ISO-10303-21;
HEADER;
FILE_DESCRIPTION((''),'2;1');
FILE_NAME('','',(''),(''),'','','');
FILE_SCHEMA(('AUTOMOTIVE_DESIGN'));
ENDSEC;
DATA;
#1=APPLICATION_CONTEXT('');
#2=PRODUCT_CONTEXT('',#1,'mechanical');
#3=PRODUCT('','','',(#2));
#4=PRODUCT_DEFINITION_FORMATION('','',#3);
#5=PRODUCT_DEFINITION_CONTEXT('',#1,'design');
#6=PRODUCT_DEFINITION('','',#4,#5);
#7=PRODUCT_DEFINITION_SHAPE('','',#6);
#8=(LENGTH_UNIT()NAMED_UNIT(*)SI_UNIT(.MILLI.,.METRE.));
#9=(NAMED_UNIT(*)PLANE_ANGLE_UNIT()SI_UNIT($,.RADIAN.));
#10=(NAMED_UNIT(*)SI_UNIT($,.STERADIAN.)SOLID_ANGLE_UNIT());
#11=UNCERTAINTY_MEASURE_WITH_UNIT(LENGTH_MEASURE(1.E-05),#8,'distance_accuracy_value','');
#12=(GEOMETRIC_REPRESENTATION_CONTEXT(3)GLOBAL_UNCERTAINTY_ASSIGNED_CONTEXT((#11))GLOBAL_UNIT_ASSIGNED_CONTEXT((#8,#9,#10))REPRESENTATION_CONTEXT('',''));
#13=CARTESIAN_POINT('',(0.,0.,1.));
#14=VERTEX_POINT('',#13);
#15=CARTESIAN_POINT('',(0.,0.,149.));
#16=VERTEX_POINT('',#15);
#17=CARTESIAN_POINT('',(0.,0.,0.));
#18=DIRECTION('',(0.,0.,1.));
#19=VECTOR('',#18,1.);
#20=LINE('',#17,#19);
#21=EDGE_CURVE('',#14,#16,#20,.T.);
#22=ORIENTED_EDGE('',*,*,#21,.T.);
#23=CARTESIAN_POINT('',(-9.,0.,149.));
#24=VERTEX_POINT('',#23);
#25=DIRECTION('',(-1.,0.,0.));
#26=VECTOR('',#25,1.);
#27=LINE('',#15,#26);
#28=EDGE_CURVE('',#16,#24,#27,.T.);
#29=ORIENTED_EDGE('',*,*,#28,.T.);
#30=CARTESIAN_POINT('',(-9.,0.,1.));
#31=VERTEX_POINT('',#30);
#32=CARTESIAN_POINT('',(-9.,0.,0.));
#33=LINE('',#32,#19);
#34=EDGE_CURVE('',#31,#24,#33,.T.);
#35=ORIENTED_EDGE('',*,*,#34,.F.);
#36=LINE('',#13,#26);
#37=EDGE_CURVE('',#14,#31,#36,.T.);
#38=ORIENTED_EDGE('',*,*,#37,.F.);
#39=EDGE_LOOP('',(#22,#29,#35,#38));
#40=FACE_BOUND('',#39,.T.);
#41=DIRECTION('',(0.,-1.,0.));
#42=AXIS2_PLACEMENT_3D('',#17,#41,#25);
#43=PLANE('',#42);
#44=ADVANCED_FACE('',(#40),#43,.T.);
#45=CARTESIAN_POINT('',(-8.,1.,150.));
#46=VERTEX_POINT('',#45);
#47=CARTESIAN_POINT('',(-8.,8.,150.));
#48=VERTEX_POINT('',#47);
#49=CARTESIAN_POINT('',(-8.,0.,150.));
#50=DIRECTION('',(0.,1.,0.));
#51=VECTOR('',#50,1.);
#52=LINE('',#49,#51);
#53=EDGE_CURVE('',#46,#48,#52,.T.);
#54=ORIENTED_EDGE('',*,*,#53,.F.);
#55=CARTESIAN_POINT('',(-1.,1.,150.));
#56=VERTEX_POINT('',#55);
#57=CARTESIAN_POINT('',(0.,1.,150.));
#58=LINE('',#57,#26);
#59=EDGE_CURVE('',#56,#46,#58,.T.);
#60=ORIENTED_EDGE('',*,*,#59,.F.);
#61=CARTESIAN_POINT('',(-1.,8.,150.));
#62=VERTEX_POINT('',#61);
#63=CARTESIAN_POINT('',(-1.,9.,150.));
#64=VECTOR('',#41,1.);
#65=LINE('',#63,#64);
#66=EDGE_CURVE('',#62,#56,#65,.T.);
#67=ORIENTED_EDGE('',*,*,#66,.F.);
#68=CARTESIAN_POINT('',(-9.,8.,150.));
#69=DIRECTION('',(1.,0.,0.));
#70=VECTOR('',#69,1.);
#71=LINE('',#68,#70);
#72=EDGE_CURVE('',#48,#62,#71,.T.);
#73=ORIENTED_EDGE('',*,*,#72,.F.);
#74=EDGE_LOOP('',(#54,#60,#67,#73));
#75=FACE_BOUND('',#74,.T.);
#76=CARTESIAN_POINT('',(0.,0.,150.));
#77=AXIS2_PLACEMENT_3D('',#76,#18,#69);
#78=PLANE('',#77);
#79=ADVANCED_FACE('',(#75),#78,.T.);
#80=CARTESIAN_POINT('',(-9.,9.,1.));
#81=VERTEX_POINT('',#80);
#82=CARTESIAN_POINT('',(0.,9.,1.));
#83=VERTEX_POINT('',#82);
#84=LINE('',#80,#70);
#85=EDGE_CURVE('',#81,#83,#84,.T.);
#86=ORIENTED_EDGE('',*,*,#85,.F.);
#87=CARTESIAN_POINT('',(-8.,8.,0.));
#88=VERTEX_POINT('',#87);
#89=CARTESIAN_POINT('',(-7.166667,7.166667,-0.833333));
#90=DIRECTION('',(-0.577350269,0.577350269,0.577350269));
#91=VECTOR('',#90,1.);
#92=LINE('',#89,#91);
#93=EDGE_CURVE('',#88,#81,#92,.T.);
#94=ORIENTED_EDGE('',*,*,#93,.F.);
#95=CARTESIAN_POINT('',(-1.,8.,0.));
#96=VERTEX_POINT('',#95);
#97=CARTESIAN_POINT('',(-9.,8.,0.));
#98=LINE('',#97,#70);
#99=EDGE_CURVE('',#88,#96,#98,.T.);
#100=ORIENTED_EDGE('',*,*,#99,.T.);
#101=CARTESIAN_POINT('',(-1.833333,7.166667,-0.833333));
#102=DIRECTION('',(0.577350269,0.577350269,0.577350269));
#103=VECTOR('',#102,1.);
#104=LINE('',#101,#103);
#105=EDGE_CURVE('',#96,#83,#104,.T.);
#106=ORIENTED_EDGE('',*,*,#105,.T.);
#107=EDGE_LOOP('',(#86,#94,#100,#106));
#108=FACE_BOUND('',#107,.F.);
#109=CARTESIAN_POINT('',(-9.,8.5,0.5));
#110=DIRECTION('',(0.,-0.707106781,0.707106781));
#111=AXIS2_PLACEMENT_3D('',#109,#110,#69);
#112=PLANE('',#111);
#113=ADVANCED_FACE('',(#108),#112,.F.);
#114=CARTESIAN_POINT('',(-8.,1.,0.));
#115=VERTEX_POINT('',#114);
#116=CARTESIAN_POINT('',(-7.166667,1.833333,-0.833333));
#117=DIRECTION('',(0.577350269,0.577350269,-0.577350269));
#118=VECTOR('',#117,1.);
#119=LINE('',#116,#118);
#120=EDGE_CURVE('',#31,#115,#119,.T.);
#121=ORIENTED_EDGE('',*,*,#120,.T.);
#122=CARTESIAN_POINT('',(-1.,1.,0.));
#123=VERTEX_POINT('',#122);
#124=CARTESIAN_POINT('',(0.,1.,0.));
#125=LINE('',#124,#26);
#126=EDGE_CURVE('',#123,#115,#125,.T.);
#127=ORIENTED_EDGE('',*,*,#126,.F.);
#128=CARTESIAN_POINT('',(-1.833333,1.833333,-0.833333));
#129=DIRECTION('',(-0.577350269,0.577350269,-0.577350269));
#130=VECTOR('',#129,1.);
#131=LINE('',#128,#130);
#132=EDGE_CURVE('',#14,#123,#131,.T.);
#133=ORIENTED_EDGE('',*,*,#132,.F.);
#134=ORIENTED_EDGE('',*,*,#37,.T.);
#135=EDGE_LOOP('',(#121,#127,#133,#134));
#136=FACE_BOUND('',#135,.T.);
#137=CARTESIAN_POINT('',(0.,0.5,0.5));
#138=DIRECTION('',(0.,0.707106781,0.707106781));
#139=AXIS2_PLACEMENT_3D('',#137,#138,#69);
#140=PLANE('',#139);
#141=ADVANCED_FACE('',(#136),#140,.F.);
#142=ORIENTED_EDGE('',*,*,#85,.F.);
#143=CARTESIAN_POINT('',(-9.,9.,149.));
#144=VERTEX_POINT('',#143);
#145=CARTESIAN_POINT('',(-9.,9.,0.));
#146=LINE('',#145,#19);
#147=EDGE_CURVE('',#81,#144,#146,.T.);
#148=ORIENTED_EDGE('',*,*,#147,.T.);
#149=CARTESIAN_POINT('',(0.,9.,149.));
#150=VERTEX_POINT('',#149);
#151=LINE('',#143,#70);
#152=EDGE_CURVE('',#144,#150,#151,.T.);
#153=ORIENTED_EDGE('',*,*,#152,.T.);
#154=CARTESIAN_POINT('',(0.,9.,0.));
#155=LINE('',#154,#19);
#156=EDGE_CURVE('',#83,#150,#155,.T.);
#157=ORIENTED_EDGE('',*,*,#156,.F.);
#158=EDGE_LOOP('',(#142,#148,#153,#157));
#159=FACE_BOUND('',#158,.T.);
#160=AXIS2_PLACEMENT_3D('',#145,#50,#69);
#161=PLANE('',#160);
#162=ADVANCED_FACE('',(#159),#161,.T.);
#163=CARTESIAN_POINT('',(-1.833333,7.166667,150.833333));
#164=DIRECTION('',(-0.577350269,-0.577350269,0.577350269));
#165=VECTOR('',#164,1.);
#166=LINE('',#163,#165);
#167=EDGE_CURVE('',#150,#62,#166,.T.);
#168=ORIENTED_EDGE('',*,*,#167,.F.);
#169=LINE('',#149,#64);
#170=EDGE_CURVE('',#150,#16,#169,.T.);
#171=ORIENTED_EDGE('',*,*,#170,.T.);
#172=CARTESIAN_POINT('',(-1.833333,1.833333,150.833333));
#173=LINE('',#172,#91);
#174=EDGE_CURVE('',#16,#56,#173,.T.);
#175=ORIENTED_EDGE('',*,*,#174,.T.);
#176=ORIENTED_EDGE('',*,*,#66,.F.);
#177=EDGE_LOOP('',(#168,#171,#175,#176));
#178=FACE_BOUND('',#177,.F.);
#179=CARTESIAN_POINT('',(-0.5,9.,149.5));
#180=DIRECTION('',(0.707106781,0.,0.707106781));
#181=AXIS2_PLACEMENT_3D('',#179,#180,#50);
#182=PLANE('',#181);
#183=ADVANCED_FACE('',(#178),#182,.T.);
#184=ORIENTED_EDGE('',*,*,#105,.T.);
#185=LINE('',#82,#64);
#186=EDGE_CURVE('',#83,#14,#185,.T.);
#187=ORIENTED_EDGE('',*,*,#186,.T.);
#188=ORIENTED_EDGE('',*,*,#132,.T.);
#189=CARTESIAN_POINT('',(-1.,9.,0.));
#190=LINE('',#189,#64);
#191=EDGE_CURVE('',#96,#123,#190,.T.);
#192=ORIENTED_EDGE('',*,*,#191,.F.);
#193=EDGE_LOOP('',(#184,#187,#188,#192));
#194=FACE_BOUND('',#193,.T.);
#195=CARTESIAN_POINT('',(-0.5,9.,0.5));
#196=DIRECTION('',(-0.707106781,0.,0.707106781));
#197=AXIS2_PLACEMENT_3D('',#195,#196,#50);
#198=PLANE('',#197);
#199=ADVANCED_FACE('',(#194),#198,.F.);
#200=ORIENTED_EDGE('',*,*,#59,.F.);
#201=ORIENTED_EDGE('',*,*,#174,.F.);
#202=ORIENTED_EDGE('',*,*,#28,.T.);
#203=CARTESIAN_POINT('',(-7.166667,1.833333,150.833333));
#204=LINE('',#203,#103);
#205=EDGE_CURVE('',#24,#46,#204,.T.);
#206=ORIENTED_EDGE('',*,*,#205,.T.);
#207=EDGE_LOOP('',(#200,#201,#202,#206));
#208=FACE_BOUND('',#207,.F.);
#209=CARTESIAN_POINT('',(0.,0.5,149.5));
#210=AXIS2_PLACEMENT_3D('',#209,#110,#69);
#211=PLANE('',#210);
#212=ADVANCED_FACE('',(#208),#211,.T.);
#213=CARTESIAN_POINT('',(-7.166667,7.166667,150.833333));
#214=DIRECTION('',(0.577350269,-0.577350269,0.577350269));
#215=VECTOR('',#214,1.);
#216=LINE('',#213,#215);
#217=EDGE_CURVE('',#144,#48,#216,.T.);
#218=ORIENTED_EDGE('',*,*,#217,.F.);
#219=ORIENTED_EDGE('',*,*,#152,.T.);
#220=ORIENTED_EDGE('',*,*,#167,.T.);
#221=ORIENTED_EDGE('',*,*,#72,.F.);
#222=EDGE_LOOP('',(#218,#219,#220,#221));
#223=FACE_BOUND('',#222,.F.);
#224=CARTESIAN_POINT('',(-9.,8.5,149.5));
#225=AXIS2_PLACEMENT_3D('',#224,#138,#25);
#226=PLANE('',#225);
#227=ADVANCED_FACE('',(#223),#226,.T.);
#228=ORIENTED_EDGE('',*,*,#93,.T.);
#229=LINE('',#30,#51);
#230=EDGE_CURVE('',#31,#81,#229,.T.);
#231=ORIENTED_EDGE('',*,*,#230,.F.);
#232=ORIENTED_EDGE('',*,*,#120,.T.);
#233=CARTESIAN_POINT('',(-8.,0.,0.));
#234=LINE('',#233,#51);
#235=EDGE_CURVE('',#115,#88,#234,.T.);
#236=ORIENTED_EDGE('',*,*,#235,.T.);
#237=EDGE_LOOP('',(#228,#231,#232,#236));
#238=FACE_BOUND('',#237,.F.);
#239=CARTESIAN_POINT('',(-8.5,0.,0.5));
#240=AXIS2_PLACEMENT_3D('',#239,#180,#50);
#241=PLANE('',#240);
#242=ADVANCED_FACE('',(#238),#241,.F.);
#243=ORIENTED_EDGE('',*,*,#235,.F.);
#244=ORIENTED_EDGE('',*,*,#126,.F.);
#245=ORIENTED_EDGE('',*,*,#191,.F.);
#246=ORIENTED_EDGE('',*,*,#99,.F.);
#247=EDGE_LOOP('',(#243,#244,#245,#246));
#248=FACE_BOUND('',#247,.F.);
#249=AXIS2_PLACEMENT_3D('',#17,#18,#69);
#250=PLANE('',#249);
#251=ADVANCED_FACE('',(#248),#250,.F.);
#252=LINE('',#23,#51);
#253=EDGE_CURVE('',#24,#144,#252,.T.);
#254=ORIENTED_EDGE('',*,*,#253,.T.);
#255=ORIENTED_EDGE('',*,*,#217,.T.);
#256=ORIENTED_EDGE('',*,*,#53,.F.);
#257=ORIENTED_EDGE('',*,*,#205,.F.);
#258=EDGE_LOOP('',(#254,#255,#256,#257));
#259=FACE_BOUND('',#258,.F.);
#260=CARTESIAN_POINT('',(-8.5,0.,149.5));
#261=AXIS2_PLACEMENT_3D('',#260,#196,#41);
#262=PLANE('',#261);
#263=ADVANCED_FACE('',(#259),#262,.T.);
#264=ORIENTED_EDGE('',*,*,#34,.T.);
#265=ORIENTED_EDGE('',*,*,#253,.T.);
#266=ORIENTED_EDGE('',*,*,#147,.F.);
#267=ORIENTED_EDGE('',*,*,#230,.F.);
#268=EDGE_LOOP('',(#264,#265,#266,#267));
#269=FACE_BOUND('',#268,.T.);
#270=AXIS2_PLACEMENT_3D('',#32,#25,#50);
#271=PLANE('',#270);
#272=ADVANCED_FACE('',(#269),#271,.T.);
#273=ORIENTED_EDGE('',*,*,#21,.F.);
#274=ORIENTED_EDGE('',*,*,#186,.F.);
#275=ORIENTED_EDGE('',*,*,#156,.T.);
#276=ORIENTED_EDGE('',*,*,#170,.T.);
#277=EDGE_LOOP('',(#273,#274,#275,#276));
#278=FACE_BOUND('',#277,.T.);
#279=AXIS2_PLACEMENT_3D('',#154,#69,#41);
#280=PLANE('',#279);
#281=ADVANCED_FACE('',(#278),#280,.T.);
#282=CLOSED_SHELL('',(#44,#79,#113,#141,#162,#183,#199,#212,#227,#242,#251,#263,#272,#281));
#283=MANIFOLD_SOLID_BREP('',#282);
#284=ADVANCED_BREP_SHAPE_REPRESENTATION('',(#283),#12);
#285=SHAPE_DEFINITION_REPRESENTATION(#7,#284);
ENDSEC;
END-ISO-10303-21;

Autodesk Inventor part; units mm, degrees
ref_plane "YZ Plane" through (0, 0, 0) normal (1, 0, 0) x (0, 1, 0)
ref_plane "XZ Plane" through (0, 0, 0) normal (0, 1, 0) x (-1, 0, 0)
ref_plane "XY Plane" through (0, 0, 0) normal (0, 0, 1) x (1, 0, 0)
sketch "Sketch1" plane through (0, 0, 0) normal (0, 0, 1) x (1, 0, 0)
  line L0 (0, 0) -> (-9, 0)
  line L1 (-9, 0) -> (-9, 9)
  line L2 (-9, 9) -> (0, 9)
  line L3 (0, 9) -> (0, 0)
  dimension "d0" = 9
  dimension "d1" = 9
extrude "Extrusion1" add sketch "Sketch1" along normal blind 150
chamfer "Chamfer1" distance 1 angle 45 4 edges at (-4.5, 9, 150) (0, 4.5, 150) (-4.5, 0, 150) (-9, 4.5, 150)
chamfer "Chamfer2" distance 1 angle 45 4 edges at (-4.5, 9, 0) (0, 4.5, 0) (-4.5, 0, 0) (-9, 4.5, 0)
properties part number "Elbow_Both_Rod_V1"
